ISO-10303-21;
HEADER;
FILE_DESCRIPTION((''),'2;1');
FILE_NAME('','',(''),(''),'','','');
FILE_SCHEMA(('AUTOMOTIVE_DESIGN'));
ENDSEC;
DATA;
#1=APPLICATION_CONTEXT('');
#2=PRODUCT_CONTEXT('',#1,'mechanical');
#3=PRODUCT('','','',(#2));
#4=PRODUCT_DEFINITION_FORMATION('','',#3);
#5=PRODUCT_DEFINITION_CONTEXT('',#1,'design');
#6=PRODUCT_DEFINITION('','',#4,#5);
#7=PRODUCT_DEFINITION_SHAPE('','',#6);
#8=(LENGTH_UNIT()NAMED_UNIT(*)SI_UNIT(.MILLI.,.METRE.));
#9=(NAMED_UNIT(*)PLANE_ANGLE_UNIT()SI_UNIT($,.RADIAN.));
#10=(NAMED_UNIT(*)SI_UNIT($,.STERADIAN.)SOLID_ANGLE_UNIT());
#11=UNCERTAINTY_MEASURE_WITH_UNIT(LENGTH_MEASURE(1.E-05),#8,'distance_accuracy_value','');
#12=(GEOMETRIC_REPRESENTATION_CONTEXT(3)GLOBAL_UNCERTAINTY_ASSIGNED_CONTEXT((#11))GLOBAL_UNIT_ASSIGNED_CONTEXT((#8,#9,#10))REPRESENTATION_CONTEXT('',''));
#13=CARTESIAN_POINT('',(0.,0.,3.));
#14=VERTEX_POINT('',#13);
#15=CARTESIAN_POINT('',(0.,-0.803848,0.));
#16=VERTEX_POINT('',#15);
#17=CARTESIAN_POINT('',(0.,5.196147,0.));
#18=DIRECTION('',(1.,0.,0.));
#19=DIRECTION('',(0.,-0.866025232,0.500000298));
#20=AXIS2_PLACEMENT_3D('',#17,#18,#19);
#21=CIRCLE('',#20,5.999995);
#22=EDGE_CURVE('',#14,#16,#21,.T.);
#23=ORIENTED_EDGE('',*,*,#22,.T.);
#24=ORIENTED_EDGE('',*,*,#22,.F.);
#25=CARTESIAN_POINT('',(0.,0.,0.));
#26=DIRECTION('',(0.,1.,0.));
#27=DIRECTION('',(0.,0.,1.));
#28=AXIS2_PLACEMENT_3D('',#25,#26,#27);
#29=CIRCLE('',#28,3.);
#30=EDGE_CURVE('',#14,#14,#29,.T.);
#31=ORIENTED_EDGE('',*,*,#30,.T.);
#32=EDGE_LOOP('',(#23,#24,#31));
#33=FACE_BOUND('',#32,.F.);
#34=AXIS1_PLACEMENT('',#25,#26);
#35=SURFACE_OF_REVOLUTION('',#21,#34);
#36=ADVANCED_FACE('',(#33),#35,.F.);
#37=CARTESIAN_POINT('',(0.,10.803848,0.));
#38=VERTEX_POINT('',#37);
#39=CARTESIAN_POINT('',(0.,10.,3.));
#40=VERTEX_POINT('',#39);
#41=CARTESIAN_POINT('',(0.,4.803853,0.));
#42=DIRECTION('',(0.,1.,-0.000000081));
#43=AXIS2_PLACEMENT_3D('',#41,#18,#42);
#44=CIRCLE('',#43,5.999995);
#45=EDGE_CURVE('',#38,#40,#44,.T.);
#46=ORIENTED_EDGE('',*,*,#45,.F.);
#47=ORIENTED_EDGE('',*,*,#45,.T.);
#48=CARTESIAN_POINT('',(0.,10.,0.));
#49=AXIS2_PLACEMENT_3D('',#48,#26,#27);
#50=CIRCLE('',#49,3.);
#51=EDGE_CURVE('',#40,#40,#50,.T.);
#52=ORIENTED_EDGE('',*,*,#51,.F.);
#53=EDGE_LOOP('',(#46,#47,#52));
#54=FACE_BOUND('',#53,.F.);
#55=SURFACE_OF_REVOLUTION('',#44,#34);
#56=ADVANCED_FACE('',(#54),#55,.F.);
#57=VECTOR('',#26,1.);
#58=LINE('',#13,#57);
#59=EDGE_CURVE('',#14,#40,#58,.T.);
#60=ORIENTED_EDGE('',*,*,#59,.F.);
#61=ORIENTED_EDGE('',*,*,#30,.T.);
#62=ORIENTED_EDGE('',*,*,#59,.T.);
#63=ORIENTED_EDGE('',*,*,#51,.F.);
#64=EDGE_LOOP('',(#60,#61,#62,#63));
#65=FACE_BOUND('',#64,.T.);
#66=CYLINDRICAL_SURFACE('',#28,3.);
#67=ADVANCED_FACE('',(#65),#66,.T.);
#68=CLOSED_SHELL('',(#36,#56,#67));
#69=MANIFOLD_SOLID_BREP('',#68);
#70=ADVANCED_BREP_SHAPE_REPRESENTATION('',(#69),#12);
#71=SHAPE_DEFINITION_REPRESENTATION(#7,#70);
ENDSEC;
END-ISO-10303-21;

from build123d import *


with BuildPart() as part:
    # Sketch → Revolution (revolve)
    with BuildSketch(Plane.YZ):
        with BuildLine():
            ThreePointArc((10.803848, 0), (10.599403, 1.552914), (10, 3))
            Line((0, 3), (10, 3))
            ThreePointArc((0, 3), (-0.599403, 1.552914), (-0.803848, 0))
            Line((-0.803848, 0), (10.803848, 0))
        make_face()
    revolve(axis=Axis((0, 0, 0), (0, 1, 0)))


solid = part.part
